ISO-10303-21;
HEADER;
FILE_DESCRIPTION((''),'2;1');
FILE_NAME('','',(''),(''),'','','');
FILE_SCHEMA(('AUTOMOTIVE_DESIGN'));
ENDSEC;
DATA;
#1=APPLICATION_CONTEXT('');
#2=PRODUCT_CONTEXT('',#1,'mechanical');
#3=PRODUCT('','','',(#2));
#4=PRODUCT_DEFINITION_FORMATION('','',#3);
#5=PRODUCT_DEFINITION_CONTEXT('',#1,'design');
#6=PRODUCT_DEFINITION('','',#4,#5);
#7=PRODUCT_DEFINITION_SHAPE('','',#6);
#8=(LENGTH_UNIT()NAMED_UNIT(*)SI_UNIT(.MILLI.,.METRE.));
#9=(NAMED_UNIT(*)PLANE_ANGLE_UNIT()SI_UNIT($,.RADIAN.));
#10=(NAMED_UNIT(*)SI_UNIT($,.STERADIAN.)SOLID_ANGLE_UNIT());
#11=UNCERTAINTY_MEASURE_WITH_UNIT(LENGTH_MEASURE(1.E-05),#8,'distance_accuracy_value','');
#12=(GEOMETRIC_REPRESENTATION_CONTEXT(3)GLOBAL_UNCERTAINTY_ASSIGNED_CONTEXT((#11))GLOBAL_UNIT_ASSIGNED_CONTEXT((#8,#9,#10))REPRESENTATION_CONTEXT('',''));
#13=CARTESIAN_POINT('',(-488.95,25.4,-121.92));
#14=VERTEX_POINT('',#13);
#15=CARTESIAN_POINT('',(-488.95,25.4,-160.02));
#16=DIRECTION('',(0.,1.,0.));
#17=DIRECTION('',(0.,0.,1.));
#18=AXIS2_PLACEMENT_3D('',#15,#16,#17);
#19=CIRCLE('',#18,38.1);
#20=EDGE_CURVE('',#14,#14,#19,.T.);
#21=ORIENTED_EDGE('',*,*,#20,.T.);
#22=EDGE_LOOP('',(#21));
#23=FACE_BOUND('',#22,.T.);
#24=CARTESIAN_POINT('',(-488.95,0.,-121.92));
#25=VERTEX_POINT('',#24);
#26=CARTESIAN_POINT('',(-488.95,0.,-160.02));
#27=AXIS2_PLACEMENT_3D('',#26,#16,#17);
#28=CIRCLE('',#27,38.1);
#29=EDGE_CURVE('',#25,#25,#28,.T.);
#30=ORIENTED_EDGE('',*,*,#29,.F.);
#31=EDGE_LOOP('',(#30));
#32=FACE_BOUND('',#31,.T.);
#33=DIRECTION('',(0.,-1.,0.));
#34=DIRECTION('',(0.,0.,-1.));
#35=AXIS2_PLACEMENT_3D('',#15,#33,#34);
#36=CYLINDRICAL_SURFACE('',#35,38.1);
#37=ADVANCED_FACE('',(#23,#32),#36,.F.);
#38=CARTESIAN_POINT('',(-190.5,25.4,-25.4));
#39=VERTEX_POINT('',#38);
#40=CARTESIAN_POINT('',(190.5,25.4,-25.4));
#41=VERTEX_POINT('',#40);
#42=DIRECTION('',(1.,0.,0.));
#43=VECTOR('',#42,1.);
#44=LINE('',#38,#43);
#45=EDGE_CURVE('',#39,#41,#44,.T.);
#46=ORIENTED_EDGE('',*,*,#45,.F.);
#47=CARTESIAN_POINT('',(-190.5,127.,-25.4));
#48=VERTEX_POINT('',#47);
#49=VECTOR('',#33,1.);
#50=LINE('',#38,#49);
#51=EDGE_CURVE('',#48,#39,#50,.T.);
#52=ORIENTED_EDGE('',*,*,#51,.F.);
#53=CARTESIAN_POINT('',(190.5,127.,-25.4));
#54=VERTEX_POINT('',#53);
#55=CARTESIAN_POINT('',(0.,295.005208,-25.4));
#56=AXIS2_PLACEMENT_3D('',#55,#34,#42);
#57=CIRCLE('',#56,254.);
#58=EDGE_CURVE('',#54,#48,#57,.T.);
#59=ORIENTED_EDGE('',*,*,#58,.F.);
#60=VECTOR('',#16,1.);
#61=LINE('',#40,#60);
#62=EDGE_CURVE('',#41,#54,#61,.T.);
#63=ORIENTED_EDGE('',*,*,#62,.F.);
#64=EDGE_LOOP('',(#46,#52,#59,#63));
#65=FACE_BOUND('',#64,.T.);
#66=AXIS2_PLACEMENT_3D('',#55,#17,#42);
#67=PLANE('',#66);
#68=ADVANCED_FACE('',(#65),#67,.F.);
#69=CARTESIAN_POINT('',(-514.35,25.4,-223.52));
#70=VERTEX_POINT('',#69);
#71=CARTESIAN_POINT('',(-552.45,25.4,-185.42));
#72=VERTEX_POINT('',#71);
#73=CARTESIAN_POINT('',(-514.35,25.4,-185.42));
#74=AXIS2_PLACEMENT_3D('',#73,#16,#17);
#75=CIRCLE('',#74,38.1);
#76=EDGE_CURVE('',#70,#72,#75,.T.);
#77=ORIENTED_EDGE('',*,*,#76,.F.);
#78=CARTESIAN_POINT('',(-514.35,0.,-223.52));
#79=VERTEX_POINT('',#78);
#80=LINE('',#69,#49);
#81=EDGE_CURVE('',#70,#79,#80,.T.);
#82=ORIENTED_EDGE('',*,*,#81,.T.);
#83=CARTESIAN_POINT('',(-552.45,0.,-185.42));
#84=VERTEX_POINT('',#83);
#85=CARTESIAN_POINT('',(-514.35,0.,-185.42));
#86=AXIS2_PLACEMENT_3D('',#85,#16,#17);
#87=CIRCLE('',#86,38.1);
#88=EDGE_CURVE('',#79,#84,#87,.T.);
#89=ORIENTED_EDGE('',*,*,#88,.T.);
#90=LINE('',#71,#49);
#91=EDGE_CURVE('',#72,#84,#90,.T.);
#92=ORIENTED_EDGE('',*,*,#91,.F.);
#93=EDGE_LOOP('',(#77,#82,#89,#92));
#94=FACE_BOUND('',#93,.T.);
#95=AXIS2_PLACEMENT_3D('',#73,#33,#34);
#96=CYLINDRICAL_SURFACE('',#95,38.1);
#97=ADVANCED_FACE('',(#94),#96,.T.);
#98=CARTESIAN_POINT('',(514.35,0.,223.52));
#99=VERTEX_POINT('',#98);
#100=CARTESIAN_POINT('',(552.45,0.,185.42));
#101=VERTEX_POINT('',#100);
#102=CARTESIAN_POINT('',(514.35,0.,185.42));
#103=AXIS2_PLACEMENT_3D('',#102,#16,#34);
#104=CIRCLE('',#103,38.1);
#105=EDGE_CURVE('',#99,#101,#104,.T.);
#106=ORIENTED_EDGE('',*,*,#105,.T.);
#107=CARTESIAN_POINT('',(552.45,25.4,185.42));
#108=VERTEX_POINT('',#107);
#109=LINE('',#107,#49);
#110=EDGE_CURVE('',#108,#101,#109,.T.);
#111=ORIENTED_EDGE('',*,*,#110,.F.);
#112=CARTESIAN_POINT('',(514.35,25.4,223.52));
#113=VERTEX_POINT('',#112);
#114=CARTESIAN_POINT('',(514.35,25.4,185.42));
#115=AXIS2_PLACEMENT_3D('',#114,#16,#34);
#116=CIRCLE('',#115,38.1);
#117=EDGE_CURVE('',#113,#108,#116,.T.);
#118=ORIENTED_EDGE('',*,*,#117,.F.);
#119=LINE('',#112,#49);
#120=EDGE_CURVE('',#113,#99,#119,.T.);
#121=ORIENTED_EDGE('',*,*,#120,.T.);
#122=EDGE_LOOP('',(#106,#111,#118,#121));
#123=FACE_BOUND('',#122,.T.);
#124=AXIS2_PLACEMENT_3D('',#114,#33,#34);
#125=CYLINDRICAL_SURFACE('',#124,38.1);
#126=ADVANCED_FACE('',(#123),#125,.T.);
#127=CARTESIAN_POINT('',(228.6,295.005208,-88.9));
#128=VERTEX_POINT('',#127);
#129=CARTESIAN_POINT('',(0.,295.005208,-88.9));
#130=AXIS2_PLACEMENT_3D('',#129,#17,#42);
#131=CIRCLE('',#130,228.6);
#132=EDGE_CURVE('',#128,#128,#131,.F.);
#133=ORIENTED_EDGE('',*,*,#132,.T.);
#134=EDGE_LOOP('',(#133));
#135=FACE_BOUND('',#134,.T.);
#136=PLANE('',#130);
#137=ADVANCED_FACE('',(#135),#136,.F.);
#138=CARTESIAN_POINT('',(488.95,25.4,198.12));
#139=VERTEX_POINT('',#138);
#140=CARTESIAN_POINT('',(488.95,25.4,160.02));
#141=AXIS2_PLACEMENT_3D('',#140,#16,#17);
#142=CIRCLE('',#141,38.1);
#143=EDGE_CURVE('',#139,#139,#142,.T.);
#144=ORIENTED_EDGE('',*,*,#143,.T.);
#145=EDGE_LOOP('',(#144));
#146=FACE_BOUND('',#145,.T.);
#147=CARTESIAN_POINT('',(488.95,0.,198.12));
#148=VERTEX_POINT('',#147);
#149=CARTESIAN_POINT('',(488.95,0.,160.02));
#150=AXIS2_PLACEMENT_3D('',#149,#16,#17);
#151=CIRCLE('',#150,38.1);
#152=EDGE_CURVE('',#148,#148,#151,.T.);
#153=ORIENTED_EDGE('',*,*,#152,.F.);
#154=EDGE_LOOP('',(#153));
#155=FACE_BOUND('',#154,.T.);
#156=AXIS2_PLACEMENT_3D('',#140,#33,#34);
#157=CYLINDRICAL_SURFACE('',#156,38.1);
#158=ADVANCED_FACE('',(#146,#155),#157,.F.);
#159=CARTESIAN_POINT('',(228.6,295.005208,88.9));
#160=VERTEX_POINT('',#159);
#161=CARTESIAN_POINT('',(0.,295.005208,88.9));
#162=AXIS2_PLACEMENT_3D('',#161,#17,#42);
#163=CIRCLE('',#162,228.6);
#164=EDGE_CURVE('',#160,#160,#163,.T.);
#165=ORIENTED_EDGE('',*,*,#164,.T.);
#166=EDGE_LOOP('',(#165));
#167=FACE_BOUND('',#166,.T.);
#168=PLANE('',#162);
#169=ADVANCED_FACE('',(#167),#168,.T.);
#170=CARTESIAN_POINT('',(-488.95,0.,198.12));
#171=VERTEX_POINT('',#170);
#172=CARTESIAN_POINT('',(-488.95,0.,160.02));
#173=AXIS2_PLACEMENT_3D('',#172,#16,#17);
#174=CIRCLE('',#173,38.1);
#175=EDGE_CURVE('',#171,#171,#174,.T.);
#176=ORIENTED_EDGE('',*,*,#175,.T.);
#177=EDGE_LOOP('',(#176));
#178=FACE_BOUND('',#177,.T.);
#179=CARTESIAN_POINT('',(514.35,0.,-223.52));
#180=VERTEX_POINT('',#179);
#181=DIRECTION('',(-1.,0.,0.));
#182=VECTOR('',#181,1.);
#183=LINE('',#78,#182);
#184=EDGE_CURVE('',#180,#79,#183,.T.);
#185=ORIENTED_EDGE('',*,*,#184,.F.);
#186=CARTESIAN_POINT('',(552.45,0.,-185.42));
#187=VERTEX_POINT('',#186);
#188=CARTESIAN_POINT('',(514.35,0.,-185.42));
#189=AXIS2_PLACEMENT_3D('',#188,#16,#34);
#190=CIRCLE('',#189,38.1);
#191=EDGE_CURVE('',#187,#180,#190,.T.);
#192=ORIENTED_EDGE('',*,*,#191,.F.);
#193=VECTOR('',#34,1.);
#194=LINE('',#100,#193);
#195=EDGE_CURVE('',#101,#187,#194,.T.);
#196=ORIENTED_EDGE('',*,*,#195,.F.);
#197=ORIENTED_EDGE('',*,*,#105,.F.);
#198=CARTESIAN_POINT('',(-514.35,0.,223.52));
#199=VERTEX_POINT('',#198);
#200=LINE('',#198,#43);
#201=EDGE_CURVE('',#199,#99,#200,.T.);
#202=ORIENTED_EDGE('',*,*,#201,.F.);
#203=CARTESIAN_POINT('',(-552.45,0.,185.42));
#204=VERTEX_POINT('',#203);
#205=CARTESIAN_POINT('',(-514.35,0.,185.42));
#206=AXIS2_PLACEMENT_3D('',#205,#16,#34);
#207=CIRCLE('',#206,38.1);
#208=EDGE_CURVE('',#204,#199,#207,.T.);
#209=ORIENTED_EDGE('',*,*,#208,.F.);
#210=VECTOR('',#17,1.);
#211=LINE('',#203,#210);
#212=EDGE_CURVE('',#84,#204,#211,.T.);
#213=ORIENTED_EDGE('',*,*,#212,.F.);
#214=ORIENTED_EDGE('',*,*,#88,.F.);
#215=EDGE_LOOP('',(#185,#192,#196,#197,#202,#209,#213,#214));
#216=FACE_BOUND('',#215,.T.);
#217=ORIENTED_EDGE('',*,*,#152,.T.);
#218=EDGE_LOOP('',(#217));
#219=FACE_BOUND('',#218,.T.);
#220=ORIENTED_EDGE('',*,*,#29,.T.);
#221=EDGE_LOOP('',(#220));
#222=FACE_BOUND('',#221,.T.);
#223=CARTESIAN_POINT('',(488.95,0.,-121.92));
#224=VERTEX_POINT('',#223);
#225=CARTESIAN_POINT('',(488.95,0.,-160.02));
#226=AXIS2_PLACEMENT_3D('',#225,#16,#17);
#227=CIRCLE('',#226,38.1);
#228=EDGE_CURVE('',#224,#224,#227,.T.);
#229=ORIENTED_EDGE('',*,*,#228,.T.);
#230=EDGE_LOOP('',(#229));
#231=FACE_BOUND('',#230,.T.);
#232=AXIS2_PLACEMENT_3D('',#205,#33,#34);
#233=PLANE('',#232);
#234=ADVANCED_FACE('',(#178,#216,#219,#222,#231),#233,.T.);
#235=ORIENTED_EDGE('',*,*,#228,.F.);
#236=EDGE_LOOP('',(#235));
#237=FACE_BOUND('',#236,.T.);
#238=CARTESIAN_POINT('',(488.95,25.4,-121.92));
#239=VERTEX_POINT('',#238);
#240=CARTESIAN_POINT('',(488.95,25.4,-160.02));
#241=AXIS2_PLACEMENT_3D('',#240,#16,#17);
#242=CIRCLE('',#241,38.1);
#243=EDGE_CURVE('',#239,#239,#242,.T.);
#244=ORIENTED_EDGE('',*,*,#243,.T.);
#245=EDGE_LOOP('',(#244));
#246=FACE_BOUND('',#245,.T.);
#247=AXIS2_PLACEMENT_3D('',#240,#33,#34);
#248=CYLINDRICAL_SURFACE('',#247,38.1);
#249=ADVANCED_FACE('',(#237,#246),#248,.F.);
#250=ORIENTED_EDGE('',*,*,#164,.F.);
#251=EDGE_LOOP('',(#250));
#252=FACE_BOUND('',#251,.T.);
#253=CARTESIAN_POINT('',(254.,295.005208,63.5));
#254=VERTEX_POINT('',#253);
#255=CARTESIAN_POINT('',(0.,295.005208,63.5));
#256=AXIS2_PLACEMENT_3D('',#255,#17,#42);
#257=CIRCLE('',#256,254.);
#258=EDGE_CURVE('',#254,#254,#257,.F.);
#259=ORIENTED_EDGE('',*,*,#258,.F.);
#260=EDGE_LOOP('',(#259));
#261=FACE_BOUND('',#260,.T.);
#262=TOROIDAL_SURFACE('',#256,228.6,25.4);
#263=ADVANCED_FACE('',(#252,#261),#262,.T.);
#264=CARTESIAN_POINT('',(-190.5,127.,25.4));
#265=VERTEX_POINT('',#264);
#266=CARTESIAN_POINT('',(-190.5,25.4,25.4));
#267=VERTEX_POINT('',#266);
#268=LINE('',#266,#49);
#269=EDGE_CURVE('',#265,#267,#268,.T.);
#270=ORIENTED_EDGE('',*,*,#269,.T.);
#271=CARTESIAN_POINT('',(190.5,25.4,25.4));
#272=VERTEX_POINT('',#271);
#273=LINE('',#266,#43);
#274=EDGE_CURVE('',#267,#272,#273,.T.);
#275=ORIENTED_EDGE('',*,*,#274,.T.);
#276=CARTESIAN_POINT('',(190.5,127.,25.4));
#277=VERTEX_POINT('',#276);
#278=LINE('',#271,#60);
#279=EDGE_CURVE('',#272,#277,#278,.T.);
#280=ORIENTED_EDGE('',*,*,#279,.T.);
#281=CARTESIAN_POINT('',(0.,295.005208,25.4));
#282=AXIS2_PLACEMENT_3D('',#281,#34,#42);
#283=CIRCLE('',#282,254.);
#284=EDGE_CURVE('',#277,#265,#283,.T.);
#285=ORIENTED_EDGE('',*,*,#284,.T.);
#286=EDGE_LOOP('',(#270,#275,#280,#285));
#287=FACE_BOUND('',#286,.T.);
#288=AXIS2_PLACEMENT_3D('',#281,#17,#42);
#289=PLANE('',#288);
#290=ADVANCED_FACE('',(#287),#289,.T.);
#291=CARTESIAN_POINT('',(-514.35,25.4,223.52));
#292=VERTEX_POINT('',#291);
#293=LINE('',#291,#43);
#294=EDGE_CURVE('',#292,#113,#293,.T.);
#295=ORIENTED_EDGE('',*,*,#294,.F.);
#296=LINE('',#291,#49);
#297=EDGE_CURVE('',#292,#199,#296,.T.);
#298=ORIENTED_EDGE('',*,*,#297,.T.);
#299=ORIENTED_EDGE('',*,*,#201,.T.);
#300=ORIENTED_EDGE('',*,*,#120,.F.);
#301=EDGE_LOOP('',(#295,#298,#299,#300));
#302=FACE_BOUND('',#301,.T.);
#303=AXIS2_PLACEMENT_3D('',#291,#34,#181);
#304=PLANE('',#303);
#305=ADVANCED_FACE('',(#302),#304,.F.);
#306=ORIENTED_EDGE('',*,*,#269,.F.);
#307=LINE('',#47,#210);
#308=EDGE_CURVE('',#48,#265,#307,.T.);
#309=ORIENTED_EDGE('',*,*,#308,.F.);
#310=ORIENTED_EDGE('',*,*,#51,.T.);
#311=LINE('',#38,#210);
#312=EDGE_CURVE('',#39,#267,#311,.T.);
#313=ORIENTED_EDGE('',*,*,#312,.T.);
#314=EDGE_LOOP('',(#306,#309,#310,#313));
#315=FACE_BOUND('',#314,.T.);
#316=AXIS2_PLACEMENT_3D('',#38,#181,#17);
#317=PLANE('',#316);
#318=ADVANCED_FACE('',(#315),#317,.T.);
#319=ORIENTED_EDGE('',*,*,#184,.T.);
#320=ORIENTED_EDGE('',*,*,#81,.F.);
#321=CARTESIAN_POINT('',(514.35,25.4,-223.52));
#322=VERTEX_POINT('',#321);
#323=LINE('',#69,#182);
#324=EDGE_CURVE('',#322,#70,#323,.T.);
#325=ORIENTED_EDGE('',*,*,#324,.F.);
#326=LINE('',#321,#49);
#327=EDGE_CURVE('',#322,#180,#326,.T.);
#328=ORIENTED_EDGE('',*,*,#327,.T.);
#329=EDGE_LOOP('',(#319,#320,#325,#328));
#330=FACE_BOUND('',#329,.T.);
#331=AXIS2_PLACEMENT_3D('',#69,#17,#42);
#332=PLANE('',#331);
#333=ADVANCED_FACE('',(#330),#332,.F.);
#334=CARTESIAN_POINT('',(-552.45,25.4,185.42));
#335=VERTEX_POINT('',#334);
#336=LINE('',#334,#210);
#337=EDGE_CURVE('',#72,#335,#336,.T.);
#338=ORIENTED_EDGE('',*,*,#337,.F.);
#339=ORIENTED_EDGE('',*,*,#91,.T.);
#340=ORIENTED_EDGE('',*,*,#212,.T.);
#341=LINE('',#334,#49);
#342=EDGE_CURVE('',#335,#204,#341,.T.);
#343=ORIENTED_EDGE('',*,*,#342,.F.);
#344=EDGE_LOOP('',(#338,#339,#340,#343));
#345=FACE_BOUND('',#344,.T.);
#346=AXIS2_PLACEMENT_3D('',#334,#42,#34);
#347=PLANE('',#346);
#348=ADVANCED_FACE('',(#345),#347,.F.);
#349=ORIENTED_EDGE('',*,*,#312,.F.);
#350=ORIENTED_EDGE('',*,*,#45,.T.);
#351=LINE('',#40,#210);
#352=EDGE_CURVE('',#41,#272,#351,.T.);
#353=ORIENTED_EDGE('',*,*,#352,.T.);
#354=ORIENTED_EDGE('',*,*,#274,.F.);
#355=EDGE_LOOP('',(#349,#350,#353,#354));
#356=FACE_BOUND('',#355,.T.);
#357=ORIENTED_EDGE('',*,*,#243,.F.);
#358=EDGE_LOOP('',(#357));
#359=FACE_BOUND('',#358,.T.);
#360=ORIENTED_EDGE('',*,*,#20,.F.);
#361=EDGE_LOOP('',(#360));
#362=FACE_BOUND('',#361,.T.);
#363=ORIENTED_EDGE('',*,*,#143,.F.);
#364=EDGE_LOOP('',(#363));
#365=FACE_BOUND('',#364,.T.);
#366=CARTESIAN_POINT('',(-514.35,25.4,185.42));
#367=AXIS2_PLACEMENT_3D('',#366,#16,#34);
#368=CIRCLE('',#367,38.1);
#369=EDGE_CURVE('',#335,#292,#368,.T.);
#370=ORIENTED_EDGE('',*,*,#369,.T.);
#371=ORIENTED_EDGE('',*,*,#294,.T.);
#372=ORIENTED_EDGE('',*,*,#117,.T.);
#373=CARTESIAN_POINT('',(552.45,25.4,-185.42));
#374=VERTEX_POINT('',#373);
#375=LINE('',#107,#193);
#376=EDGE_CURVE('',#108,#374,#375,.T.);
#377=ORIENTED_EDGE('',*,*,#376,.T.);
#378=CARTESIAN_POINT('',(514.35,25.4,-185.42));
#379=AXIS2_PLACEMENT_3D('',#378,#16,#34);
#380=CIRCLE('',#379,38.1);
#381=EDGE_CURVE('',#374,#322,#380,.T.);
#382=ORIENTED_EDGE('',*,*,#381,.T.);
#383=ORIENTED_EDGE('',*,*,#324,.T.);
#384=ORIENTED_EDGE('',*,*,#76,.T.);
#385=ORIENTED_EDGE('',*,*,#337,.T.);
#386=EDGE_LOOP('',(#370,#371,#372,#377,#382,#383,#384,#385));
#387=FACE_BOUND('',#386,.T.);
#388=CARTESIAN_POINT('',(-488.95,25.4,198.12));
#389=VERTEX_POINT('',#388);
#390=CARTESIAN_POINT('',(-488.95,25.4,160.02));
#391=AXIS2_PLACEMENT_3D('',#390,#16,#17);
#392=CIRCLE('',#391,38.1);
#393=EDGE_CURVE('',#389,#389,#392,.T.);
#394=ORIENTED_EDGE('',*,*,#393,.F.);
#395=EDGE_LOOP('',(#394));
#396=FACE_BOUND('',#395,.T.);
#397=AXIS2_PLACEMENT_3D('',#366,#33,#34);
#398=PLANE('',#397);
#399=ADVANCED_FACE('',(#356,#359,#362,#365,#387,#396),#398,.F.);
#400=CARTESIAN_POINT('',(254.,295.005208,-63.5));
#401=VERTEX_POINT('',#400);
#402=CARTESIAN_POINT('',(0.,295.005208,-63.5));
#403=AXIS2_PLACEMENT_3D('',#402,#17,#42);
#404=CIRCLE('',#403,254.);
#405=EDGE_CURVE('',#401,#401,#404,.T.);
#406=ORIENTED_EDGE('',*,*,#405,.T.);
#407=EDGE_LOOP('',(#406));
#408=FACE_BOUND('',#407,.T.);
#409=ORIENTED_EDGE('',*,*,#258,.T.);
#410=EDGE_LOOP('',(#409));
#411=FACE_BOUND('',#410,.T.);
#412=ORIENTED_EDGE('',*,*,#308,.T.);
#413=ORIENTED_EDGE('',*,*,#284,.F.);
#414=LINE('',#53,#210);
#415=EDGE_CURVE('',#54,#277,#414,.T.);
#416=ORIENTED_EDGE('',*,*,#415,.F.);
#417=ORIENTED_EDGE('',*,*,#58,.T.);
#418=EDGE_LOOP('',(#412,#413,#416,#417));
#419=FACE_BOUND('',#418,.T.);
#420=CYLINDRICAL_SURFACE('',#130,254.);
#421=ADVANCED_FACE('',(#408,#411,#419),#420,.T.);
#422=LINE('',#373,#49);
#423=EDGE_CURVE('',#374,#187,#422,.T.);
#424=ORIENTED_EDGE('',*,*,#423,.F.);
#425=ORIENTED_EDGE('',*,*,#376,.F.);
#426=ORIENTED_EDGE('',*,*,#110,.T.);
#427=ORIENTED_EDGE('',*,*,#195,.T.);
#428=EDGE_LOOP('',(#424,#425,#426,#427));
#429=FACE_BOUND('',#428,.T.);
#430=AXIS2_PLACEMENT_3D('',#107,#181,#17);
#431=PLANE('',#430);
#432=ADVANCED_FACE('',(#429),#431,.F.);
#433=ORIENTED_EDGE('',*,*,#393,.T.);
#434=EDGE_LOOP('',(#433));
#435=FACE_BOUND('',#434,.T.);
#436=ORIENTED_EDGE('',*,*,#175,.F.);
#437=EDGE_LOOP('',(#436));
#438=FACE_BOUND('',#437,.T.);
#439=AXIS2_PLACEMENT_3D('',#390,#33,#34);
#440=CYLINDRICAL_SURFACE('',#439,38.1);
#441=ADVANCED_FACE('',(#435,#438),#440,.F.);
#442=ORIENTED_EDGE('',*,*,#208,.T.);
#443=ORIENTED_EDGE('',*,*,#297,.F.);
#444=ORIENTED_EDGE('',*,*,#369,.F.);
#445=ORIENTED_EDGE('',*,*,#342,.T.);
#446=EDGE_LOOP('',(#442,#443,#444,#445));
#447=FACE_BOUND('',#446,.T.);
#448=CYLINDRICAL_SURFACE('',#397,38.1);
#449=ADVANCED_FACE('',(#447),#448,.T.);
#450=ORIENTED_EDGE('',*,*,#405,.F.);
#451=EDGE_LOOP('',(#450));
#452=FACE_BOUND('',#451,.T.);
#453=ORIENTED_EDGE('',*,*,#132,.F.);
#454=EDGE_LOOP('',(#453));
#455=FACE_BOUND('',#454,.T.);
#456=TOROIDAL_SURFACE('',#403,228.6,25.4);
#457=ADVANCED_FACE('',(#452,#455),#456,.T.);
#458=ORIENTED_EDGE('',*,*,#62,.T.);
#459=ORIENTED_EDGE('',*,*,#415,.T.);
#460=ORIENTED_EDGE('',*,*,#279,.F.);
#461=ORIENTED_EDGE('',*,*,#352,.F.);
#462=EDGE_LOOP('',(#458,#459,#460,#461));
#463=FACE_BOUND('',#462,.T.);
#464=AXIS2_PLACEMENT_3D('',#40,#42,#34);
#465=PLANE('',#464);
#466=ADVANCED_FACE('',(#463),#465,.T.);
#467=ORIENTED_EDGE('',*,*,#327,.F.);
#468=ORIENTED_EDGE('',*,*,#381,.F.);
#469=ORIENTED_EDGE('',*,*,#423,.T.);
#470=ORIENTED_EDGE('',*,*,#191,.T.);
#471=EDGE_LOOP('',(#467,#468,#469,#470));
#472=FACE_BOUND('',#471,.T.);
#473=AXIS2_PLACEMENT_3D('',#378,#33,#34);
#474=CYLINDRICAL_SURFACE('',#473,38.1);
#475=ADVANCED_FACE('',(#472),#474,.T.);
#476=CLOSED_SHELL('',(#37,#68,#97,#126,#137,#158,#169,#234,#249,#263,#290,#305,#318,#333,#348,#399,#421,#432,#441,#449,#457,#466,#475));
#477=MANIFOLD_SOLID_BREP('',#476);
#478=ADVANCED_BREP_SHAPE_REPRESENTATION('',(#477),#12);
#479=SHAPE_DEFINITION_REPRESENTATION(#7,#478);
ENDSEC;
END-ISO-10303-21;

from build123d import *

# Parameters (mm, degrees)
SKETCH1_R                = 38.1
BOSS_EXTRUDE1_DEPTH      = 25.4
BOSS_EXTRUDE2_DEPTH      = 25.4
BOSS_EXTRUDE2_DEPTH_BACK = 25.4
BOSS_EXTRUDE3_DEPTH      = 88.9
BOSS_EXTRUDE3_DEPTH_BACK = 88.9
SKETCH4_R                = 254
FILLET1_R                = 25.4


with BuildPart() as part:
    # Sketch1 → Boss-Extrude1 (new body)
    with BuildSketch(Plane(origin=(0, 0, 0), x_dir=(1, 0, 0), z_dir=(0, 1, 0))):
        with BuildLine():
            Line((-514.35, 223.52), (514.35, 223.52))
            ThreePointArc((514.35, 223.52), (541.290768363, 212.360768363), (552.45, 185.42))
            Line((552.45, 185.42), (552.45, -185.42))
            ThreePointArc((552.45, -185.42), (541.290768363, -212.360768363), (514.35, -223.52))
            Line((514.35, -223.52), (-514.35, -223.52))
            ThreePointArc((-514.35, -223.52), (-541.290768363, -212.360768363), (-552.45, -185.42))
            Line((-552.45, -185.42), (-552.45, 185.42))
            ThreePointArc((-552.45, 185.42), (-541.290768363, 212.360768363), (-514.35, 223.52))
        make_face()
        with Locations(Location((-488.95, 160.02, 0), (0, 0, 270))):
            Circle(SKETCH1_R, mode=Mode.SUBTRACT)
        with Locations(Location((488.95, 160.02, 0), (0, 0, 270))):
            Circle(SKETCH1_R, mode=Mode.SUBTRACT)
        with Locations(Location((488.95, -160.02, 0), (0, 0, 270))):
            Circle(SKETCH1_R, mode=Mode.SUBTRACT)
        with Locations(Location((-488.95, -160.02, 0), (0, 0, 270))):
            Circle(SKETCH1_R, mode=Mode.SUBTRACT)
    extrude(amount=BOSS_EXTRUDE1_DEPTH)

    # Sketch3 → Boss-Extrude2 (add, two sides: drawn at the far end of the back side and taken through both)
    with BuildSketch(Plane.XY.offset(-BOSS_EXTRUDE2_DEPTH_BACK)):
        with BuildLine():
            Line((-190.5, 25.4), (190.5, 25.4))
            Line((190.5, 25.4), (190.5, 127))
            ThreePointArc((190.5, 127), (0, 41.005208253), (-190.5, 127))
            Line((-190.5, 127), (-190.5, 25.4))
        make_face()
    extrude(amount=BOSS_EXTRUDE2_DEPTH + BOSS_EXTRUDE2_DEPTH_BACK)

    # Sketch4 → Boss-Extrude3 (add, two sides: drawn at the far end of the back side and taken through both)
    with BuildSketch(Plane.XY.offset(-BOSS_EXTRUDE3_DEPTH_BACK)):
        with Locations((0, 295.005208253)):
            Circle(SKETCH4_R)
    extrude(amount=BOSS_EXTRUDE3_DEPTH + BOSS_EXTRUDE3_DEPTH_BACK)

    # Fillet1
    fillet1_edges = [part.edges().sort_by_distance(p)[0] for p in [
        (-254, 295.005208253, -88.9),
        (-254, 295.005208253, 88.9),
    ]]
    fillet(fillet1_edges, radius=FILLET1_R)


solid = part.part
